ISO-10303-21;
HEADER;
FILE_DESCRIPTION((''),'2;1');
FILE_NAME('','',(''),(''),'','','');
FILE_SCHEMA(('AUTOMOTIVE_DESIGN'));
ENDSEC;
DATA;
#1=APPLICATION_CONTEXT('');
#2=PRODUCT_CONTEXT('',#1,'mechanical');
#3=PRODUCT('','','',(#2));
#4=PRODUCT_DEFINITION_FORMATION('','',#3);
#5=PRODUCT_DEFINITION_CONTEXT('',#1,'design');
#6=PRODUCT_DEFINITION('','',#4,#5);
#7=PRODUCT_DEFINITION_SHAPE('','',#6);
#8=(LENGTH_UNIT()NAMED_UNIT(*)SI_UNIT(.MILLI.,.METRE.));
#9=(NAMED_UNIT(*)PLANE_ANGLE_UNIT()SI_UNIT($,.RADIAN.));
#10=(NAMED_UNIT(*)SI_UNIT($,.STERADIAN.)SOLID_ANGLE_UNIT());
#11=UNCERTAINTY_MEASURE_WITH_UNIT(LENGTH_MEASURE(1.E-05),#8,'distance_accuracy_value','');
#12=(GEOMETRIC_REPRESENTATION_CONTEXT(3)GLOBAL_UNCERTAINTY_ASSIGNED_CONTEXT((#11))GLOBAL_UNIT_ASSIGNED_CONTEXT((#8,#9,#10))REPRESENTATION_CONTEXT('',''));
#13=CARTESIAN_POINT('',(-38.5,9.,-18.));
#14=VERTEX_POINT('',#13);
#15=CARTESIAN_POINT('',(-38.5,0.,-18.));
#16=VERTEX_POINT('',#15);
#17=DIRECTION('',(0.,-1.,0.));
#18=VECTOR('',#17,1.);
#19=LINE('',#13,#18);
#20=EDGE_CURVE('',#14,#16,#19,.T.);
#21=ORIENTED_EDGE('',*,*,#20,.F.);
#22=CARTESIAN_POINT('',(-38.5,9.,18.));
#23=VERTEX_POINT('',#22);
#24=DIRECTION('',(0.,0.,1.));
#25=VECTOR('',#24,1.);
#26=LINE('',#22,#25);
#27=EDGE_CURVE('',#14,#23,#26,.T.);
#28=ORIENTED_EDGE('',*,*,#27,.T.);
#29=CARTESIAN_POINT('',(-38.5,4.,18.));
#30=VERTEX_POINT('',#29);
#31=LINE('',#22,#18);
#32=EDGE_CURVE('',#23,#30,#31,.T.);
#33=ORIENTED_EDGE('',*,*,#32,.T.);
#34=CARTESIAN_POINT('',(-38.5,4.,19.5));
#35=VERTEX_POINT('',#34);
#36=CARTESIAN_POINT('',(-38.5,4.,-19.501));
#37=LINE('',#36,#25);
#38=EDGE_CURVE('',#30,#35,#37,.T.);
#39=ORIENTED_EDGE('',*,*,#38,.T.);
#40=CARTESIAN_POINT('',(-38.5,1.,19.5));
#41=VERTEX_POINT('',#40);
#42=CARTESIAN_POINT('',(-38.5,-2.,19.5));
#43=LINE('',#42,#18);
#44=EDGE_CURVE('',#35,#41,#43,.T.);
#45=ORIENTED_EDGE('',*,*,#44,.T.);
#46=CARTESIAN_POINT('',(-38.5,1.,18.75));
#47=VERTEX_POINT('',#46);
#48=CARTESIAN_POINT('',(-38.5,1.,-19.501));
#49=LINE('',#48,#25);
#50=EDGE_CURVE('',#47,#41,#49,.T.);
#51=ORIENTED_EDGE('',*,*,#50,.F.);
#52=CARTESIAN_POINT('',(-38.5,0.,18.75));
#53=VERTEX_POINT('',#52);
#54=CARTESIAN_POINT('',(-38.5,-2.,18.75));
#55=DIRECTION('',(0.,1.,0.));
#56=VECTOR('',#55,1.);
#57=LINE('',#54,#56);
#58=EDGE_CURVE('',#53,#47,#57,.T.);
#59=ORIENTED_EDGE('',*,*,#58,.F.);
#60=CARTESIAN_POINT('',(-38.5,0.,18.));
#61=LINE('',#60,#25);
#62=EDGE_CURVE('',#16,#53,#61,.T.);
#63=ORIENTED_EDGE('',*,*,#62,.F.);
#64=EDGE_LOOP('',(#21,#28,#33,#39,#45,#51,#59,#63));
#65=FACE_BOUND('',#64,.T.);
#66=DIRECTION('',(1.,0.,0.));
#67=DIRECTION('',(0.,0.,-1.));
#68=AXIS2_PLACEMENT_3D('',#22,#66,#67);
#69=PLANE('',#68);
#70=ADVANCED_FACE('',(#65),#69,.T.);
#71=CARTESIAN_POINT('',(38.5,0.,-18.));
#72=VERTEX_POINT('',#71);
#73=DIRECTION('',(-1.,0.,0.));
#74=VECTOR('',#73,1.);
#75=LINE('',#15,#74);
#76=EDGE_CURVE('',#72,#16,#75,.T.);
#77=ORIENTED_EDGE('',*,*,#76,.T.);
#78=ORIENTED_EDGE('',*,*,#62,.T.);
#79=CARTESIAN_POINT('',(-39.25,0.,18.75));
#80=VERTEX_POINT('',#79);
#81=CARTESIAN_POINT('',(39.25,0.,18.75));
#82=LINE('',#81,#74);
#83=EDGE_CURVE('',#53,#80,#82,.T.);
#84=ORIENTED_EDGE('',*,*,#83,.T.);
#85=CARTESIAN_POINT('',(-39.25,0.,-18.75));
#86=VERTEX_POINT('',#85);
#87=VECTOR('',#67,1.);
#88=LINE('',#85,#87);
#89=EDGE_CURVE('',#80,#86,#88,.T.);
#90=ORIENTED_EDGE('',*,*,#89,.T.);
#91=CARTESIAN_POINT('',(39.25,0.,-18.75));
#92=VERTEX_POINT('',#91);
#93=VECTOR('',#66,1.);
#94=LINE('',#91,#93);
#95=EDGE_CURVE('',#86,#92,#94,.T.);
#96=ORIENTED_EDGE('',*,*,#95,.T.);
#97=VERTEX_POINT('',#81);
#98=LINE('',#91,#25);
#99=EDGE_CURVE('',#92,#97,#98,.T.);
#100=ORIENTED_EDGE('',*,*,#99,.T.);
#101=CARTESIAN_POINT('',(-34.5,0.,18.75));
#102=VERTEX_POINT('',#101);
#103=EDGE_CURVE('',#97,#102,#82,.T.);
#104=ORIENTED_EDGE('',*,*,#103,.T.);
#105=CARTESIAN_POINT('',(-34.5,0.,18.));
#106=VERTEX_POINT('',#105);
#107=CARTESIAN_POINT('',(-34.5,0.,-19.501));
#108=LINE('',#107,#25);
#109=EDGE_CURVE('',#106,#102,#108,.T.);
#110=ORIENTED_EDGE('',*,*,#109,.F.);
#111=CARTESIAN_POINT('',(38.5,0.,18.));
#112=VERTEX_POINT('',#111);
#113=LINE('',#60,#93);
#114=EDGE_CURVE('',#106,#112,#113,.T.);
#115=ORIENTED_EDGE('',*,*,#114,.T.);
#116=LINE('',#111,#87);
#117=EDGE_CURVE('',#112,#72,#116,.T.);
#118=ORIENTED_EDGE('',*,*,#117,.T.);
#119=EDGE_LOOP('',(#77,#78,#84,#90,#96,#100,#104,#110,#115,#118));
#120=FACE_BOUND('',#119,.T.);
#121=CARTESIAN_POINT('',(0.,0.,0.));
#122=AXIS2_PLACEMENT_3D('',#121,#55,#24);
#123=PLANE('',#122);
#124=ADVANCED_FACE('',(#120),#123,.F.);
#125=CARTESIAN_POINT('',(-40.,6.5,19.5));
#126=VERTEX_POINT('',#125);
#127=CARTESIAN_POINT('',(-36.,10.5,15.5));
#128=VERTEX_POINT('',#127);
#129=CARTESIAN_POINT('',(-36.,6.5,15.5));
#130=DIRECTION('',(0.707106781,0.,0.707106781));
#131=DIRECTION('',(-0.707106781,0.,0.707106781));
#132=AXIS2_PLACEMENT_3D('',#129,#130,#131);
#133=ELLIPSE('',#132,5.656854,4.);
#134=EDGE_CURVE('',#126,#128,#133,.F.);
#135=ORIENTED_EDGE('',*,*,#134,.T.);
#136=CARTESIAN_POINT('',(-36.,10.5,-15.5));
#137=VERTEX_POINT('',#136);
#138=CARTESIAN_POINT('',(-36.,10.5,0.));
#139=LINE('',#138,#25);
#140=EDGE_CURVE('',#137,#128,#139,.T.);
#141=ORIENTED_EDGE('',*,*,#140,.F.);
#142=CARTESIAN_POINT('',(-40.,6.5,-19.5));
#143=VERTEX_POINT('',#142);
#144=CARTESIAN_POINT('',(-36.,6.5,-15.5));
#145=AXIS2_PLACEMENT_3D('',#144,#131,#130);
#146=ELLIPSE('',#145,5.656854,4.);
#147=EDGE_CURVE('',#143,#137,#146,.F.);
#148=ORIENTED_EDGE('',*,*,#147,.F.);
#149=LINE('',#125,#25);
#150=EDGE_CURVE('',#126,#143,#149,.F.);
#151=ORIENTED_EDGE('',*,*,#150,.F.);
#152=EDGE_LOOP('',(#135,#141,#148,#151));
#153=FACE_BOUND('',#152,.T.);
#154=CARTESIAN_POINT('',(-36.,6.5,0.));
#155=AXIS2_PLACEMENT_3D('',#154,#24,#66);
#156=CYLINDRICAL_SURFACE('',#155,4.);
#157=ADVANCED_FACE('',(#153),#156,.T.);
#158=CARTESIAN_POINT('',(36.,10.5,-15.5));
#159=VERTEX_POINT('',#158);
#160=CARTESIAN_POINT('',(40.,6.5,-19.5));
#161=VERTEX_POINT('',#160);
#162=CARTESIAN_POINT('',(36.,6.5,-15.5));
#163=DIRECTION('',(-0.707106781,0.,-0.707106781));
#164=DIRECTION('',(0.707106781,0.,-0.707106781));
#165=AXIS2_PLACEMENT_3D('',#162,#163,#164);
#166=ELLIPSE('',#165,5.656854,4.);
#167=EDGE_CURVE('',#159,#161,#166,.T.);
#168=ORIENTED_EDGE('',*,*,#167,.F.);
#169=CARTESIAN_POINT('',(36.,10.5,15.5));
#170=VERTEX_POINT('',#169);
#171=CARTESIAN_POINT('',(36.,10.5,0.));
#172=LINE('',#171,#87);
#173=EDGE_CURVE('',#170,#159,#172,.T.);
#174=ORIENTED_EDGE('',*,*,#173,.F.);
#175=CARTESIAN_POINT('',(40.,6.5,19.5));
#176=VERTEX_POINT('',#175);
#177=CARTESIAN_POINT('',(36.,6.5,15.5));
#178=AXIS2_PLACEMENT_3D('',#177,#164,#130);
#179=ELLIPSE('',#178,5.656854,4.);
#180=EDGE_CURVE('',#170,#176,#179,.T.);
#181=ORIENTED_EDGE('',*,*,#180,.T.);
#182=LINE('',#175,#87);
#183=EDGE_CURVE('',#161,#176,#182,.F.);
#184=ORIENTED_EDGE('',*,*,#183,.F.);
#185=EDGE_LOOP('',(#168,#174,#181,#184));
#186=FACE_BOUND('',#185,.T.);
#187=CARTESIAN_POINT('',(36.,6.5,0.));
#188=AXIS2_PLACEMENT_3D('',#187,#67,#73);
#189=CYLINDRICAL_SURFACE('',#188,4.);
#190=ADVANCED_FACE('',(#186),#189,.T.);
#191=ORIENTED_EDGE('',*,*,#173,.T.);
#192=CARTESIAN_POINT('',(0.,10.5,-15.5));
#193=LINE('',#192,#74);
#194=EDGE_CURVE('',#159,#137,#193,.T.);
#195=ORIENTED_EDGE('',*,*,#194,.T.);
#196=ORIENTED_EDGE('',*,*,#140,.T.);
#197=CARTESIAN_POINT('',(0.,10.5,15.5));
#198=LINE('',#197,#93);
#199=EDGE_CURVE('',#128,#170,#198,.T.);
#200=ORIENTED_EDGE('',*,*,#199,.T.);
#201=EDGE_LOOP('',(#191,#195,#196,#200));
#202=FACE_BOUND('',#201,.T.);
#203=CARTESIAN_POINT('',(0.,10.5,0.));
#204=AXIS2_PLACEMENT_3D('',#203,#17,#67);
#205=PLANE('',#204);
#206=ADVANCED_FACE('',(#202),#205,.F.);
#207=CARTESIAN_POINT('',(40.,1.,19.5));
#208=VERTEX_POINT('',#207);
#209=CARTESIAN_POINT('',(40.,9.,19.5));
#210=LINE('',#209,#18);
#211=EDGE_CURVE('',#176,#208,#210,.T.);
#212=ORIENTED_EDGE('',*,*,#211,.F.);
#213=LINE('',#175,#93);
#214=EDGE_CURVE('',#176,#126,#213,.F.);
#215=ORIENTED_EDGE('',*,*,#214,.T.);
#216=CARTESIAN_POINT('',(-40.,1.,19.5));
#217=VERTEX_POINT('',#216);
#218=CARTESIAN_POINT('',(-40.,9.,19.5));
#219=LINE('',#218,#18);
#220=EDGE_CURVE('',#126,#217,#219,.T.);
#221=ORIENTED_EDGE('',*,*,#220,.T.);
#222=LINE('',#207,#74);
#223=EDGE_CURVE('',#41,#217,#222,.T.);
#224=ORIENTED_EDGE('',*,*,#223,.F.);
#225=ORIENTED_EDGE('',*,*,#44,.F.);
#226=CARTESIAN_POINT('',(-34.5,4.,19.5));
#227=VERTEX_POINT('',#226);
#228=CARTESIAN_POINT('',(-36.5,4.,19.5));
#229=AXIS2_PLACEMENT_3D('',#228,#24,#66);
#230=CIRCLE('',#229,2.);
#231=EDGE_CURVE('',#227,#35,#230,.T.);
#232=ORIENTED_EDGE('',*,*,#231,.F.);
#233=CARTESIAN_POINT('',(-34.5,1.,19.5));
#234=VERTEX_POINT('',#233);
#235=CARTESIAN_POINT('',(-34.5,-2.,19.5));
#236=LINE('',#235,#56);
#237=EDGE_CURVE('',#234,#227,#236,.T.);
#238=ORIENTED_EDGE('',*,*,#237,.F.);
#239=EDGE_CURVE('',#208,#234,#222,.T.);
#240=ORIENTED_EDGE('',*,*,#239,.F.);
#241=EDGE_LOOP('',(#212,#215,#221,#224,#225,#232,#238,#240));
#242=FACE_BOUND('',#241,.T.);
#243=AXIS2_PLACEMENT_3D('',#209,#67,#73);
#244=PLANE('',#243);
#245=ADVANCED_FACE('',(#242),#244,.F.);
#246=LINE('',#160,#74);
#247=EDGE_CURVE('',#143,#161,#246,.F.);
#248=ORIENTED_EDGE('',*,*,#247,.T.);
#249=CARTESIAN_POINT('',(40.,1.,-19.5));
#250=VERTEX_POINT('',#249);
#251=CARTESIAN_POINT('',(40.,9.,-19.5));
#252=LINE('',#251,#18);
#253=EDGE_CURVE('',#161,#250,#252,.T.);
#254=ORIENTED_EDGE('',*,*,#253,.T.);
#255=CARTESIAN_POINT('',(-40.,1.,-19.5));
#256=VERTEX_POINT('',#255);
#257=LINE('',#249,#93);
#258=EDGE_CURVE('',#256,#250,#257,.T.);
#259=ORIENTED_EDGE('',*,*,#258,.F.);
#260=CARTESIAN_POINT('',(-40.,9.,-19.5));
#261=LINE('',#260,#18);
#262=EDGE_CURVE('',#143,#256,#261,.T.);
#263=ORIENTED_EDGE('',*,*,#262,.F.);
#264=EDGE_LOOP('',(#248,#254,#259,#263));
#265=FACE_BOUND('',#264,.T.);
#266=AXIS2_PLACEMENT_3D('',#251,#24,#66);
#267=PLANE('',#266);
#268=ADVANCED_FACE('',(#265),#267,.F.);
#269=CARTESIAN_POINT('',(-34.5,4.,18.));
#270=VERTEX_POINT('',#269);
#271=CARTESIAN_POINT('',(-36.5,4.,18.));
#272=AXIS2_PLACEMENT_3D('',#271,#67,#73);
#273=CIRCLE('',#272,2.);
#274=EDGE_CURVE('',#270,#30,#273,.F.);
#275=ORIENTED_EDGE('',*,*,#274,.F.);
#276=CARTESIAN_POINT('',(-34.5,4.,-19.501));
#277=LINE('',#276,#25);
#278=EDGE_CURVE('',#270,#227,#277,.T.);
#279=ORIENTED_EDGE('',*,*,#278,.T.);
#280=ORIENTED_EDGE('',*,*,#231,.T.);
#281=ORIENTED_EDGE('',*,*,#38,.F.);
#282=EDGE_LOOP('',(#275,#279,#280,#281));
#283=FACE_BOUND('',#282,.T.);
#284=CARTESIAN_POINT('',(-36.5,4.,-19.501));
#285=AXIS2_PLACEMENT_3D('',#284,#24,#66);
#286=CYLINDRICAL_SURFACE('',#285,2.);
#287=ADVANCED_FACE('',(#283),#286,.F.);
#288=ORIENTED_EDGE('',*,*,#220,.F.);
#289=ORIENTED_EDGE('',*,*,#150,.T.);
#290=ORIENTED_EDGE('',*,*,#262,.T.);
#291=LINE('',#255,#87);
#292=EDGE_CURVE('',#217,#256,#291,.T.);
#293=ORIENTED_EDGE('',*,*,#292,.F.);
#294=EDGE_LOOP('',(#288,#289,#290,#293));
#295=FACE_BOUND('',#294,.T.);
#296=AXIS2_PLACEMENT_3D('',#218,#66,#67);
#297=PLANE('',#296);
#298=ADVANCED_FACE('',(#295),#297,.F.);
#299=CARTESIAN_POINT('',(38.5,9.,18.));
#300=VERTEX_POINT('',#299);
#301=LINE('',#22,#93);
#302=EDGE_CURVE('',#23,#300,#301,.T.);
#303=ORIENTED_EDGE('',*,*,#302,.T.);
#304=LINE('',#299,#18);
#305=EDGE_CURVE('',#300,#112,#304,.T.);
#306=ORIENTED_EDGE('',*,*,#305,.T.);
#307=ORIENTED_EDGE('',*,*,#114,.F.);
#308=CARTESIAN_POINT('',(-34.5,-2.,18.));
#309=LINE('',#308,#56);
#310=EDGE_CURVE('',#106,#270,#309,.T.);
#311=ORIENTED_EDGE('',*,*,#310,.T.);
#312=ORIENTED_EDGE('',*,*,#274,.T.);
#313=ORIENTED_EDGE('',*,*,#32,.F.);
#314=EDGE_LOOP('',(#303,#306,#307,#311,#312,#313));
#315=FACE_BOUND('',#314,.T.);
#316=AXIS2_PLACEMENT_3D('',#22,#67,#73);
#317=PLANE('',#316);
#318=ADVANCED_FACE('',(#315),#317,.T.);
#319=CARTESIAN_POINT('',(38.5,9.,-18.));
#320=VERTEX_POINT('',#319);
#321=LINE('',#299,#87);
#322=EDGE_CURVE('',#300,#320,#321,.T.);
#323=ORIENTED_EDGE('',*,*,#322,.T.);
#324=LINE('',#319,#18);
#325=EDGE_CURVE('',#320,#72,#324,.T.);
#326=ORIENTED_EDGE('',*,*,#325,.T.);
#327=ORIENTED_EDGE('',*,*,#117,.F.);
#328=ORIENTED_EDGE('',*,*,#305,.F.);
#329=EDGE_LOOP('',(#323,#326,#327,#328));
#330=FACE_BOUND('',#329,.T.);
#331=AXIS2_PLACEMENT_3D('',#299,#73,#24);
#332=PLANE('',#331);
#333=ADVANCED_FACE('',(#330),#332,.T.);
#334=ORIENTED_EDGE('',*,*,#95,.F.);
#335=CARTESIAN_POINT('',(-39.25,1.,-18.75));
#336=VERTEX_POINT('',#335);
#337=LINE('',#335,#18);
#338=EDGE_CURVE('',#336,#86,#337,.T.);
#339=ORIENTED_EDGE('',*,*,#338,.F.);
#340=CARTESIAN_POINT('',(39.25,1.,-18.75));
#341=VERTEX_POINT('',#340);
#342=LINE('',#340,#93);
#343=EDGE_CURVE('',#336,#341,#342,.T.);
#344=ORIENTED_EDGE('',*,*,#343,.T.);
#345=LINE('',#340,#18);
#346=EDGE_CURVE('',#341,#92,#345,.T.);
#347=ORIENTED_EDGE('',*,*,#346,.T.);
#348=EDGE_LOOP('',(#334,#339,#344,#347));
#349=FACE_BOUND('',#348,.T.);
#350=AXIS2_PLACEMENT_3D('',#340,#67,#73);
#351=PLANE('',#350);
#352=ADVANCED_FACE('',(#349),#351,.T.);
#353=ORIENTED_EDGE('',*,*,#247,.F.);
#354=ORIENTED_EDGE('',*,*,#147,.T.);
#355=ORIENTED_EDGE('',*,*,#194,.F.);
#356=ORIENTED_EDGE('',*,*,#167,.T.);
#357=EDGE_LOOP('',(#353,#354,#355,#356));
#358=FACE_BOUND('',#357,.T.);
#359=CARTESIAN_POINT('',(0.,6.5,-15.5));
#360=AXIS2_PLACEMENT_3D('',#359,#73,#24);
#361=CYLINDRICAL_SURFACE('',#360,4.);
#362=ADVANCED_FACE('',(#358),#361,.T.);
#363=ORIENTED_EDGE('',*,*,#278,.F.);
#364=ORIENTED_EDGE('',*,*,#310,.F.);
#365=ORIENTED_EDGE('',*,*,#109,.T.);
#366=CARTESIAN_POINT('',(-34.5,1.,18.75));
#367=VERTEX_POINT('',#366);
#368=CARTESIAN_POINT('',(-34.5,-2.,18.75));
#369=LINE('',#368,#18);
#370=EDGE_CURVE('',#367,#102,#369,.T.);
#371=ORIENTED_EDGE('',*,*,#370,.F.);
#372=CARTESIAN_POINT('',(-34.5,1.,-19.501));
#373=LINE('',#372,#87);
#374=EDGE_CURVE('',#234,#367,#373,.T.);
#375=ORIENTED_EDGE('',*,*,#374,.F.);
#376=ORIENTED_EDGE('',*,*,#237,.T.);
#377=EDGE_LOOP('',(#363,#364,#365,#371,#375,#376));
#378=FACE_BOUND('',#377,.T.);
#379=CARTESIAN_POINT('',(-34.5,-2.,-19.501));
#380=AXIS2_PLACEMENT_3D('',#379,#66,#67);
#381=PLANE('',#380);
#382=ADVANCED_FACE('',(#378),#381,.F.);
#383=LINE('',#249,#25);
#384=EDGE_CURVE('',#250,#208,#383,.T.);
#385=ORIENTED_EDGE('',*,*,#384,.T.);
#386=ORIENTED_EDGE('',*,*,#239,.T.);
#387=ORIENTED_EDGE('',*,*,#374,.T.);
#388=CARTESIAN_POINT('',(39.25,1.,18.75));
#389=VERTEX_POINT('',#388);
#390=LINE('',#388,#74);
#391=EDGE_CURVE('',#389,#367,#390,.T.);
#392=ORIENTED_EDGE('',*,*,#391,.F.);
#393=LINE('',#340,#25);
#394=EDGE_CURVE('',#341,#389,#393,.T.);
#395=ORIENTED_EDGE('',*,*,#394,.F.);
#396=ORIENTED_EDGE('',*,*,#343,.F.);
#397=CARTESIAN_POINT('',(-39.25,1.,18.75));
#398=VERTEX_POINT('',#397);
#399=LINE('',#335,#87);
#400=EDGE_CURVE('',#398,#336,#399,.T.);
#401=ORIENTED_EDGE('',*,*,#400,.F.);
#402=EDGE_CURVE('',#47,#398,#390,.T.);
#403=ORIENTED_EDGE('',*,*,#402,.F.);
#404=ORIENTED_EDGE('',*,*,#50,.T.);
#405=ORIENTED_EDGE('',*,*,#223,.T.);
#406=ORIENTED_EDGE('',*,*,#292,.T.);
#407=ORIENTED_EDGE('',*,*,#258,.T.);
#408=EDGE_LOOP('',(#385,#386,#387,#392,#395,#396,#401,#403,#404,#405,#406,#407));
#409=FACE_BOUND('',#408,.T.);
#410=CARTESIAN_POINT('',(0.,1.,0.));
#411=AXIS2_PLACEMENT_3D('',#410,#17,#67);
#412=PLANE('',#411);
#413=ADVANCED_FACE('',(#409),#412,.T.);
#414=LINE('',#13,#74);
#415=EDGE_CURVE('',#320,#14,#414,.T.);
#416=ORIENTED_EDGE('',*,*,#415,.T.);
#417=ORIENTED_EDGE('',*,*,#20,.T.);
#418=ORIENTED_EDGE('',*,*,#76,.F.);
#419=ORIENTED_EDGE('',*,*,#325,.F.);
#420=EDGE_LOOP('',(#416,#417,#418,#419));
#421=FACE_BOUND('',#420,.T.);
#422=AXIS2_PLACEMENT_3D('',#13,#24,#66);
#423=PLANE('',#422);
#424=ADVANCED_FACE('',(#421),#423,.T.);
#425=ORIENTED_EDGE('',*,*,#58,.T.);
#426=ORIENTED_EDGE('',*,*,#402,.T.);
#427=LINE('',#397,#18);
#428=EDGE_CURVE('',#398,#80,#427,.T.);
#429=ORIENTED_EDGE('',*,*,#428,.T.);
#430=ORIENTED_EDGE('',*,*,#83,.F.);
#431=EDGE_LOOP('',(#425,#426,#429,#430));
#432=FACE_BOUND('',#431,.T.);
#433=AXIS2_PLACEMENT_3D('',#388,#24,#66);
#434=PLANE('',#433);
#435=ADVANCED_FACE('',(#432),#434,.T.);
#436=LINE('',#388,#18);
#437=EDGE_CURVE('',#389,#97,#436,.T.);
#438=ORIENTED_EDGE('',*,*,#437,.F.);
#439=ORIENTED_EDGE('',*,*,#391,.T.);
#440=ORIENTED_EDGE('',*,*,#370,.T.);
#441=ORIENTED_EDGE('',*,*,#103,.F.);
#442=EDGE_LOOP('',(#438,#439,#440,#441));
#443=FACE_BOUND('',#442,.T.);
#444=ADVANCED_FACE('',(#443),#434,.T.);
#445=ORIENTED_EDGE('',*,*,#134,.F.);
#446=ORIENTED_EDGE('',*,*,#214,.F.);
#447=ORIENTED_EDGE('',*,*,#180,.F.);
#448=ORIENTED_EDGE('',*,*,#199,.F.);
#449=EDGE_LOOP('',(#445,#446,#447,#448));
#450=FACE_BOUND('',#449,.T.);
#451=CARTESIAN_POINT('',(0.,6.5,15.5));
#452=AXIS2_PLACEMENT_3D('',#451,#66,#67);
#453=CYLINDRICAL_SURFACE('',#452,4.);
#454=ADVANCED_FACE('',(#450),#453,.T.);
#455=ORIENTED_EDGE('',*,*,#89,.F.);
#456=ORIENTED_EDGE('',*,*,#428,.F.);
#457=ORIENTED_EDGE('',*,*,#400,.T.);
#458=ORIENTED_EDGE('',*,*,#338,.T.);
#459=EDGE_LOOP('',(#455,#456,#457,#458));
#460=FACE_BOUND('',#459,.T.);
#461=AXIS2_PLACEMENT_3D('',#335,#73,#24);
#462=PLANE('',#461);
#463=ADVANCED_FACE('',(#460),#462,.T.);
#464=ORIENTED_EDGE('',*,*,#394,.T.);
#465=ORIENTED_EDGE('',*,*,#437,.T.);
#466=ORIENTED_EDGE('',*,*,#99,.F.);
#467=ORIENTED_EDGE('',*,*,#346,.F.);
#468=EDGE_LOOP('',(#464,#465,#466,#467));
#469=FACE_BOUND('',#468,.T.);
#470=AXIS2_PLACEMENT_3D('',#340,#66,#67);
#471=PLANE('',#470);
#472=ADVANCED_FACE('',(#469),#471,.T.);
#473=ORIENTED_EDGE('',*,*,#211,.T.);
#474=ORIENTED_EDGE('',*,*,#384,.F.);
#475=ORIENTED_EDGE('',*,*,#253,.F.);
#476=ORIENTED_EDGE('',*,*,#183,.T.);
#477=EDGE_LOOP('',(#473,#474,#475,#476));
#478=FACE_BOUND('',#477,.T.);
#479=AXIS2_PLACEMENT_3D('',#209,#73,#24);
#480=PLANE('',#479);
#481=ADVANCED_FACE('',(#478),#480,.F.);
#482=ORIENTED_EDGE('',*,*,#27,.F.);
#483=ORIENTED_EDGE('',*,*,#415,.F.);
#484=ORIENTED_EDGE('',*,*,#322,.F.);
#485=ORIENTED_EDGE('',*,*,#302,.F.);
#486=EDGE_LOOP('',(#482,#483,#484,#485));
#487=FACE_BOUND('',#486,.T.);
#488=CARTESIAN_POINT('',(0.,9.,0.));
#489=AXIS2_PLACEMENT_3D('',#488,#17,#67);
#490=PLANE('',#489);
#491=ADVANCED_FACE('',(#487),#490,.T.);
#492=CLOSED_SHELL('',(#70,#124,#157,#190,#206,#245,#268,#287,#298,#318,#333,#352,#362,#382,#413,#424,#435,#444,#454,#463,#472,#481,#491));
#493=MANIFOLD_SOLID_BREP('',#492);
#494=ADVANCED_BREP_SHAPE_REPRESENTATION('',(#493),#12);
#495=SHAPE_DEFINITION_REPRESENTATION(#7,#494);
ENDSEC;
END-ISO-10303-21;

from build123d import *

# Parameters (mm, degrees)
SKETCH1_W           = 80
SKETCH1_H           = 39
SKETCH1_W_2         = 77
SKETCH1_H_2         = 36
BOSS_EXTRUDE1_DEPTH = 9
SKETCH2_W           = 80
SKETCH2_H           = 39
BOSS_EXTRUDE2_DEPTH = 1.5
SKETCH4_W           = 80
SKETCH4_H           = 39
SKETCH4_W_2         = 78.5
SKETCH4_H_2         = 37.5
CUT_EXTRUDE1_DEPTH  = 1
FILLET1_R           = 4
CUT_EXTRUDE2_REACH  = 58.844


with BuildPart() as part:
    # Sketch1 → Boss-Extrude1 (new body)
    with BuildSketch(Plane(origin=(0, 0, 0), x_dir=(1, 0, 0), z_dir=(0, 1, 0))):
        Rectangle(SKETCH1_W, SKETCH1_H)
        Rectangle(SKETCH1_W_2, SKETCH1_H_2, mode=Mode.SUBTRACT)
    extrude(amount=BOSS_EXTRUDE1_DEPTH)

    # Sketch2 → Boss-Extrude2 (add)
    with BuildSketch(Plane(origin=(0, 9, 0), x_dir=(1, 0, 0), z_dir=(0, 1, 0))):
        Rectangle(SKETCH2_W, SKETCH2_H)
    extrude(amount=BOSS_EXTRUDE2_DEPTH)

    # Sketch4 → Cut-Extrude1 (cut)
    with BuildSketch(Plane.XZ):
        Rectangle(SKETCH4_W, SKETCH4_H)
        Rectangle(SKETCH4_W_2, SKETCH4_H_2, mode=Mode.SUBTRACT)
    extrude(amount=-CUT_EXTRUDE1_DEPTH, mode=Mode.SUBTRACT)

    # Fillet1
    fillet1_edges = [part.edges().sort_by_distance(p)[0] for p in [
        (-40, 10.5, 0),
        (0, 10.5, 19.5),
        (40, 10.5, 0),
        (0, 10.5, -19.5),
    ]]
    fillet(fillet1_edges, radius=FILLET1_R)

    # Sketch5 → Cut-Extrude2 (cut, up to next)
    with BuildSketch(Plane.XY.offset(19.5), mode=Mode.PRIVATE) as cut_extrude2_sk1:
        with BuildLine():
            Line((-38.5, -2), (-38.5, 4))
            ThreePointArc((-38.5, 4), (-36.5, 6), (-34.5, 4))
            Line((-34.5, 4), (-34.5, -2))
            ThreePointArc((-34.5, -2), (-36.5, -4), (-38.5, -2))
        make_face()
    cut_extrude2_tool1 = extrude(cut_extrude2_sk1.sketch, amount=-CUT_EXTRUDE2_REACH, mode=Mode.PRIVATE) & part.part
    add(cut_extrude2_tool1.solids().sort_by_distance((-36.5, 1, 19.5))[0], mode=Mode.SUBTRACT)


solid = part.part
